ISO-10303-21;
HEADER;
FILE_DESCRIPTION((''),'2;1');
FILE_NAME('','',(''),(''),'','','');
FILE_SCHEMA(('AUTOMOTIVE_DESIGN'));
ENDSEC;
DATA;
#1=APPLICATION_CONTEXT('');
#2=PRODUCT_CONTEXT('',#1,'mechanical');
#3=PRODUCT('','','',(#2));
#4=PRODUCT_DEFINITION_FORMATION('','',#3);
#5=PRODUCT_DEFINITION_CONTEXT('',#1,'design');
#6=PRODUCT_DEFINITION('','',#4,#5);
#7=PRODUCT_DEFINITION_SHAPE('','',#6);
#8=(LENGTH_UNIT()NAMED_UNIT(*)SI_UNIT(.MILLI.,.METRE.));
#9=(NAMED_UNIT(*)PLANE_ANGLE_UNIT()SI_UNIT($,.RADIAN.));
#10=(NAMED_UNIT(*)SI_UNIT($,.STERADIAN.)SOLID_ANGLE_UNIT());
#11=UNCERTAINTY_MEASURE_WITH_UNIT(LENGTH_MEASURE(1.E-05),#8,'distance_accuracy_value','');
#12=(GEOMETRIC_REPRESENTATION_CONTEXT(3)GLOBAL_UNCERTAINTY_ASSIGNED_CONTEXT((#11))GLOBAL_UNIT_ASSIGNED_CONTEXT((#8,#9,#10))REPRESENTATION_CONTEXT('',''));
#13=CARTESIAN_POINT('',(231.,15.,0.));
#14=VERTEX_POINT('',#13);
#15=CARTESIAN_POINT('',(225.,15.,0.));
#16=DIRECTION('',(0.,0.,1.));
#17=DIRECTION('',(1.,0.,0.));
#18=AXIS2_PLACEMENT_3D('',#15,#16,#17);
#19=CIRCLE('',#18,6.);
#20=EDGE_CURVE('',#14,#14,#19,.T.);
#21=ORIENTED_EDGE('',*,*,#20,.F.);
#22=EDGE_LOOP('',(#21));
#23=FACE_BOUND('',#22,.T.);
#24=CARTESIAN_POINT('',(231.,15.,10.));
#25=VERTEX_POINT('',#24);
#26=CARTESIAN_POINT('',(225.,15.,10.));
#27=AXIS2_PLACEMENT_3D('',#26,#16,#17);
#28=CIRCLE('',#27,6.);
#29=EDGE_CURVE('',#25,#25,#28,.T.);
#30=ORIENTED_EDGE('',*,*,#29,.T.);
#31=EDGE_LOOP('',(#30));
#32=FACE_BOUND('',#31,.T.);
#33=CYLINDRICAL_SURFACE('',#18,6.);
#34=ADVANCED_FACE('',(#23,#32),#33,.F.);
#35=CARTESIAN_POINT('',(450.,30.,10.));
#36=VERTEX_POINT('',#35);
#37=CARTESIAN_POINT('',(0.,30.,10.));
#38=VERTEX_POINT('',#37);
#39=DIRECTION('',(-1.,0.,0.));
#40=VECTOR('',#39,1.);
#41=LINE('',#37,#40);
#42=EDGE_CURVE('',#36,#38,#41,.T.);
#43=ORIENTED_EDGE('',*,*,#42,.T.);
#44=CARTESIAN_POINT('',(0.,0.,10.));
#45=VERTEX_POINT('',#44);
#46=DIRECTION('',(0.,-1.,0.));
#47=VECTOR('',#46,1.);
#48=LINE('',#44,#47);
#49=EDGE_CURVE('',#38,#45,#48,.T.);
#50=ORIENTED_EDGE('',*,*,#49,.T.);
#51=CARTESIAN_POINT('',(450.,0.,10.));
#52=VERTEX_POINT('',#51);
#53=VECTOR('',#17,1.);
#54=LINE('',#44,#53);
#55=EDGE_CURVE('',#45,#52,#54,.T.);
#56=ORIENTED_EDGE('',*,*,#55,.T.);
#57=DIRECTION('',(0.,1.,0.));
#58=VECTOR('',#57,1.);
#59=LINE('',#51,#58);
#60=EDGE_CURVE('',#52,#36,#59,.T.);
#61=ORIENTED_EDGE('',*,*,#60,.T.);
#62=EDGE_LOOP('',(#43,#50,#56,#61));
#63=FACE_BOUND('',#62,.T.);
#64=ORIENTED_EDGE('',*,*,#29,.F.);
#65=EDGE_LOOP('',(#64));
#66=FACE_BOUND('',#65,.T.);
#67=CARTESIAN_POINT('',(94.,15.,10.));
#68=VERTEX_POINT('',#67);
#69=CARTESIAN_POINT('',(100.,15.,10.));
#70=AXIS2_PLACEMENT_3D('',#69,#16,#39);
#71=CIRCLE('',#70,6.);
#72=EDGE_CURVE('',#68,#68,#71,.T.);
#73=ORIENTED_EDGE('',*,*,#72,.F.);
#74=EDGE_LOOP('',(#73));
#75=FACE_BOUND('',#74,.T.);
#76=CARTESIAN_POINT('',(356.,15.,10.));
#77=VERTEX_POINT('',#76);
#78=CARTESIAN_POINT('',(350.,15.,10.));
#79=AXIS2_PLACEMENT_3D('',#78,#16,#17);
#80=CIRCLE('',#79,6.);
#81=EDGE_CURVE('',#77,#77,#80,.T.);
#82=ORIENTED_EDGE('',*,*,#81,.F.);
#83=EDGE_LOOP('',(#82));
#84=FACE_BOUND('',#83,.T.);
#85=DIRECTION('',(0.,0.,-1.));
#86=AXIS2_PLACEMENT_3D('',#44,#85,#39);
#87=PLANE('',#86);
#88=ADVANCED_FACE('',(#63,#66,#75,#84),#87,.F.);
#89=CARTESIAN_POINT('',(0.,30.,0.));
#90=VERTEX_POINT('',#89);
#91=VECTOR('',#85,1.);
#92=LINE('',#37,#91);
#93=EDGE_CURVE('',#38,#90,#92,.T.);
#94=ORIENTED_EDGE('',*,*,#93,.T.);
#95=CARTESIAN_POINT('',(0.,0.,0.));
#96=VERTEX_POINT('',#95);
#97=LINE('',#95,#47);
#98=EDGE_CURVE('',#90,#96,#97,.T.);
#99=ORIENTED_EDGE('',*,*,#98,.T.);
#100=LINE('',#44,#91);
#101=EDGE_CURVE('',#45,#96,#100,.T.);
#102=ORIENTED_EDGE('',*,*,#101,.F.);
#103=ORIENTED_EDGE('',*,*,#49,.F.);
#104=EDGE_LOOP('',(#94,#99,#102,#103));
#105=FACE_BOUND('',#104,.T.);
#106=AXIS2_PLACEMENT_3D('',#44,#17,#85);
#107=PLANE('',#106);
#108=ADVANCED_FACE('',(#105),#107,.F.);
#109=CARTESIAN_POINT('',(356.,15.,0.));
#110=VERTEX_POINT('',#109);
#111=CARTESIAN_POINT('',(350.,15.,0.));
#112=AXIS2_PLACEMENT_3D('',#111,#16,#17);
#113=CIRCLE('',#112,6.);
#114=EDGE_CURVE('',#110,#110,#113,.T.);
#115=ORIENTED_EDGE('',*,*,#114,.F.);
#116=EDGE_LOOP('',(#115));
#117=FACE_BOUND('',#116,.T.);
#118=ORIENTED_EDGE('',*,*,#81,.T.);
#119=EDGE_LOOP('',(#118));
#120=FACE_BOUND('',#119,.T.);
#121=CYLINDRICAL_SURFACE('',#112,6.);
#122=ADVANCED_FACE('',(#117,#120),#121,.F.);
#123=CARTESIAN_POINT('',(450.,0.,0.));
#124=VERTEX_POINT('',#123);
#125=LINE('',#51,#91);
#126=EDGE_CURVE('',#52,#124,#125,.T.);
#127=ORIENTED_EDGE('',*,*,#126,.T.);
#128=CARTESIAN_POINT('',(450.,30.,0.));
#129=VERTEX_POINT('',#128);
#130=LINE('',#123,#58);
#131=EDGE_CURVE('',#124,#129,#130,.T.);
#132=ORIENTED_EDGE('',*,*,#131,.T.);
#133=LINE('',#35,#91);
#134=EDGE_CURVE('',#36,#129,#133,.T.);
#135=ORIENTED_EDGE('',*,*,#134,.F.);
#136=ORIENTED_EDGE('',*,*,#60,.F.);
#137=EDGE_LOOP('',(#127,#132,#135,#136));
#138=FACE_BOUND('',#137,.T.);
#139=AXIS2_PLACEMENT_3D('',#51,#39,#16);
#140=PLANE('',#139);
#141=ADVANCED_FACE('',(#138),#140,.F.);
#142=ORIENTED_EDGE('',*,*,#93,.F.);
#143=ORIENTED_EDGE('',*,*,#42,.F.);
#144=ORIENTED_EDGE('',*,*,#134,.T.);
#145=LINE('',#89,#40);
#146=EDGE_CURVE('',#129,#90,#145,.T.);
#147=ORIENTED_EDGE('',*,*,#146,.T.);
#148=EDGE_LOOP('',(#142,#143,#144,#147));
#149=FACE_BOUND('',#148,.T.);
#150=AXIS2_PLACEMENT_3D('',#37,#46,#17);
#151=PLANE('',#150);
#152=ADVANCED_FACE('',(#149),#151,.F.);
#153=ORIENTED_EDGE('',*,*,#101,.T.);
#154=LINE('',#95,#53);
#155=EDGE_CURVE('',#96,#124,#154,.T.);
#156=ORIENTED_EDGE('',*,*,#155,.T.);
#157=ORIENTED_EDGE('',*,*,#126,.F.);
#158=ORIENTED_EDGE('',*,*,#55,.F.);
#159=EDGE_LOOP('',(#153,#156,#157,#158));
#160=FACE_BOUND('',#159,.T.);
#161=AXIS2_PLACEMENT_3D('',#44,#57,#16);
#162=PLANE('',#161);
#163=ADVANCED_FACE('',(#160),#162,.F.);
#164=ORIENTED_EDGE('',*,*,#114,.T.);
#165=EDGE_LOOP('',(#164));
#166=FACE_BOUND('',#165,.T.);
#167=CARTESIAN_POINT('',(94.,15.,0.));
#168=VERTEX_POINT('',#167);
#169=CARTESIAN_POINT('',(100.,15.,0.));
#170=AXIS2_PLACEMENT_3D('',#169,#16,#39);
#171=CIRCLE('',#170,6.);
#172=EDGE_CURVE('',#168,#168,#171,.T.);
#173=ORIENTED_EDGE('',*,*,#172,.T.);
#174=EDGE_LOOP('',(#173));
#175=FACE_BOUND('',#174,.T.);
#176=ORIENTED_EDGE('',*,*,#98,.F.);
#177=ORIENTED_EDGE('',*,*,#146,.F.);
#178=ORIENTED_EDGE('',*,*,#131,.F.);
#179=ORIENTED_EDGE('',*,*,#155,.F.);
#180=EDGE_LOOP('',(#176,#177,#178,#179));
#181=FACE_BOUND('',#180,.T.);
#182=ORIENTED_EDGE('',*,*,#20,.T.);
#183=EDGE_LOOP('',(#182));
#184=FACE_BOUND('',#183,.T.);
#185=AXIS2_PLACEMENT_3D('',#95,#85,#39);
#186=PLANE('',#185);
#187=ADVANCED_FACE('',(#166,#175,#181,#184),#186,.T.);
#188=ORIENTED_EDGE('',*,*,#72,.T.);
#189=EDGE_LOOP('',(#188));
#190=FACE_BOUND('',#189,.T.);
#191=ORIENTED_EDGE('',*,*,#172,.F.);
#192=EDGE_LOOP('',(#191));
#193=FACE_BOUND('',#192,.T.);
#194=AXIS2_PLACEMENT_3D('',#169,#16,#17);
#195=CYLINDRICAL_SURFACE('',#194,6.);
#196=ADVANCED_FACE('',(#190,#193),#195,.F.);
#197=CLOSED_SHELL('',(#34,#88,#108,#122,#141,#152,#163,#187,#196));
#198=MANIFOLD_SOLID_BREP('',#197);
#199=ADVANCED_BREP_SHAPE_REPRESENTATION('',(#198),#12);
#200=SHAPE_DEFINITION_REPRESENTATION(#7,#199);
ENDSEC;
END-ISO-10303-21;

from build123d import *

# Parameters (mm, degrees)
ESBO_O1_W                = 450
ESBO_O1_H                = 30
RESSALTO_EXTRUS_O1_DEPTH = 10
ESBO_O2_R                = 6
CORTE_EXTRUS_O1_DEPTH    = 452.109742746


with BuildPart() as part:
    # Esboço1 → Ressalto-extrusão1 (new body)
    with BuildSketch(Plane.XY):
        with Locations((225, 15)):
            Rectangle(ESBO_O1_W, ESBO_O1_H)
    extrude(amount=RESSALTO_EXTRUS_O1_DEPTH)

    # Esboço2 → Corte-extrusão1 (cut, through all)
    with BuildSketch(Plane.XY.offset(10)):
        with Locations((225, 15)):
            Circle(ESBO_O2_R)
        with Locations((350, 15)):
            Circle(ESBO_O2_R)
        with Locations(Location((100, 15, 0), (0, 0, 180))):
            Circle(ESBO_O2_R)
    extrude(amount=-CORTE_EXTRUS_O1_DEPTH, mode=Mode.SUBTRACT)


solid = part.part
